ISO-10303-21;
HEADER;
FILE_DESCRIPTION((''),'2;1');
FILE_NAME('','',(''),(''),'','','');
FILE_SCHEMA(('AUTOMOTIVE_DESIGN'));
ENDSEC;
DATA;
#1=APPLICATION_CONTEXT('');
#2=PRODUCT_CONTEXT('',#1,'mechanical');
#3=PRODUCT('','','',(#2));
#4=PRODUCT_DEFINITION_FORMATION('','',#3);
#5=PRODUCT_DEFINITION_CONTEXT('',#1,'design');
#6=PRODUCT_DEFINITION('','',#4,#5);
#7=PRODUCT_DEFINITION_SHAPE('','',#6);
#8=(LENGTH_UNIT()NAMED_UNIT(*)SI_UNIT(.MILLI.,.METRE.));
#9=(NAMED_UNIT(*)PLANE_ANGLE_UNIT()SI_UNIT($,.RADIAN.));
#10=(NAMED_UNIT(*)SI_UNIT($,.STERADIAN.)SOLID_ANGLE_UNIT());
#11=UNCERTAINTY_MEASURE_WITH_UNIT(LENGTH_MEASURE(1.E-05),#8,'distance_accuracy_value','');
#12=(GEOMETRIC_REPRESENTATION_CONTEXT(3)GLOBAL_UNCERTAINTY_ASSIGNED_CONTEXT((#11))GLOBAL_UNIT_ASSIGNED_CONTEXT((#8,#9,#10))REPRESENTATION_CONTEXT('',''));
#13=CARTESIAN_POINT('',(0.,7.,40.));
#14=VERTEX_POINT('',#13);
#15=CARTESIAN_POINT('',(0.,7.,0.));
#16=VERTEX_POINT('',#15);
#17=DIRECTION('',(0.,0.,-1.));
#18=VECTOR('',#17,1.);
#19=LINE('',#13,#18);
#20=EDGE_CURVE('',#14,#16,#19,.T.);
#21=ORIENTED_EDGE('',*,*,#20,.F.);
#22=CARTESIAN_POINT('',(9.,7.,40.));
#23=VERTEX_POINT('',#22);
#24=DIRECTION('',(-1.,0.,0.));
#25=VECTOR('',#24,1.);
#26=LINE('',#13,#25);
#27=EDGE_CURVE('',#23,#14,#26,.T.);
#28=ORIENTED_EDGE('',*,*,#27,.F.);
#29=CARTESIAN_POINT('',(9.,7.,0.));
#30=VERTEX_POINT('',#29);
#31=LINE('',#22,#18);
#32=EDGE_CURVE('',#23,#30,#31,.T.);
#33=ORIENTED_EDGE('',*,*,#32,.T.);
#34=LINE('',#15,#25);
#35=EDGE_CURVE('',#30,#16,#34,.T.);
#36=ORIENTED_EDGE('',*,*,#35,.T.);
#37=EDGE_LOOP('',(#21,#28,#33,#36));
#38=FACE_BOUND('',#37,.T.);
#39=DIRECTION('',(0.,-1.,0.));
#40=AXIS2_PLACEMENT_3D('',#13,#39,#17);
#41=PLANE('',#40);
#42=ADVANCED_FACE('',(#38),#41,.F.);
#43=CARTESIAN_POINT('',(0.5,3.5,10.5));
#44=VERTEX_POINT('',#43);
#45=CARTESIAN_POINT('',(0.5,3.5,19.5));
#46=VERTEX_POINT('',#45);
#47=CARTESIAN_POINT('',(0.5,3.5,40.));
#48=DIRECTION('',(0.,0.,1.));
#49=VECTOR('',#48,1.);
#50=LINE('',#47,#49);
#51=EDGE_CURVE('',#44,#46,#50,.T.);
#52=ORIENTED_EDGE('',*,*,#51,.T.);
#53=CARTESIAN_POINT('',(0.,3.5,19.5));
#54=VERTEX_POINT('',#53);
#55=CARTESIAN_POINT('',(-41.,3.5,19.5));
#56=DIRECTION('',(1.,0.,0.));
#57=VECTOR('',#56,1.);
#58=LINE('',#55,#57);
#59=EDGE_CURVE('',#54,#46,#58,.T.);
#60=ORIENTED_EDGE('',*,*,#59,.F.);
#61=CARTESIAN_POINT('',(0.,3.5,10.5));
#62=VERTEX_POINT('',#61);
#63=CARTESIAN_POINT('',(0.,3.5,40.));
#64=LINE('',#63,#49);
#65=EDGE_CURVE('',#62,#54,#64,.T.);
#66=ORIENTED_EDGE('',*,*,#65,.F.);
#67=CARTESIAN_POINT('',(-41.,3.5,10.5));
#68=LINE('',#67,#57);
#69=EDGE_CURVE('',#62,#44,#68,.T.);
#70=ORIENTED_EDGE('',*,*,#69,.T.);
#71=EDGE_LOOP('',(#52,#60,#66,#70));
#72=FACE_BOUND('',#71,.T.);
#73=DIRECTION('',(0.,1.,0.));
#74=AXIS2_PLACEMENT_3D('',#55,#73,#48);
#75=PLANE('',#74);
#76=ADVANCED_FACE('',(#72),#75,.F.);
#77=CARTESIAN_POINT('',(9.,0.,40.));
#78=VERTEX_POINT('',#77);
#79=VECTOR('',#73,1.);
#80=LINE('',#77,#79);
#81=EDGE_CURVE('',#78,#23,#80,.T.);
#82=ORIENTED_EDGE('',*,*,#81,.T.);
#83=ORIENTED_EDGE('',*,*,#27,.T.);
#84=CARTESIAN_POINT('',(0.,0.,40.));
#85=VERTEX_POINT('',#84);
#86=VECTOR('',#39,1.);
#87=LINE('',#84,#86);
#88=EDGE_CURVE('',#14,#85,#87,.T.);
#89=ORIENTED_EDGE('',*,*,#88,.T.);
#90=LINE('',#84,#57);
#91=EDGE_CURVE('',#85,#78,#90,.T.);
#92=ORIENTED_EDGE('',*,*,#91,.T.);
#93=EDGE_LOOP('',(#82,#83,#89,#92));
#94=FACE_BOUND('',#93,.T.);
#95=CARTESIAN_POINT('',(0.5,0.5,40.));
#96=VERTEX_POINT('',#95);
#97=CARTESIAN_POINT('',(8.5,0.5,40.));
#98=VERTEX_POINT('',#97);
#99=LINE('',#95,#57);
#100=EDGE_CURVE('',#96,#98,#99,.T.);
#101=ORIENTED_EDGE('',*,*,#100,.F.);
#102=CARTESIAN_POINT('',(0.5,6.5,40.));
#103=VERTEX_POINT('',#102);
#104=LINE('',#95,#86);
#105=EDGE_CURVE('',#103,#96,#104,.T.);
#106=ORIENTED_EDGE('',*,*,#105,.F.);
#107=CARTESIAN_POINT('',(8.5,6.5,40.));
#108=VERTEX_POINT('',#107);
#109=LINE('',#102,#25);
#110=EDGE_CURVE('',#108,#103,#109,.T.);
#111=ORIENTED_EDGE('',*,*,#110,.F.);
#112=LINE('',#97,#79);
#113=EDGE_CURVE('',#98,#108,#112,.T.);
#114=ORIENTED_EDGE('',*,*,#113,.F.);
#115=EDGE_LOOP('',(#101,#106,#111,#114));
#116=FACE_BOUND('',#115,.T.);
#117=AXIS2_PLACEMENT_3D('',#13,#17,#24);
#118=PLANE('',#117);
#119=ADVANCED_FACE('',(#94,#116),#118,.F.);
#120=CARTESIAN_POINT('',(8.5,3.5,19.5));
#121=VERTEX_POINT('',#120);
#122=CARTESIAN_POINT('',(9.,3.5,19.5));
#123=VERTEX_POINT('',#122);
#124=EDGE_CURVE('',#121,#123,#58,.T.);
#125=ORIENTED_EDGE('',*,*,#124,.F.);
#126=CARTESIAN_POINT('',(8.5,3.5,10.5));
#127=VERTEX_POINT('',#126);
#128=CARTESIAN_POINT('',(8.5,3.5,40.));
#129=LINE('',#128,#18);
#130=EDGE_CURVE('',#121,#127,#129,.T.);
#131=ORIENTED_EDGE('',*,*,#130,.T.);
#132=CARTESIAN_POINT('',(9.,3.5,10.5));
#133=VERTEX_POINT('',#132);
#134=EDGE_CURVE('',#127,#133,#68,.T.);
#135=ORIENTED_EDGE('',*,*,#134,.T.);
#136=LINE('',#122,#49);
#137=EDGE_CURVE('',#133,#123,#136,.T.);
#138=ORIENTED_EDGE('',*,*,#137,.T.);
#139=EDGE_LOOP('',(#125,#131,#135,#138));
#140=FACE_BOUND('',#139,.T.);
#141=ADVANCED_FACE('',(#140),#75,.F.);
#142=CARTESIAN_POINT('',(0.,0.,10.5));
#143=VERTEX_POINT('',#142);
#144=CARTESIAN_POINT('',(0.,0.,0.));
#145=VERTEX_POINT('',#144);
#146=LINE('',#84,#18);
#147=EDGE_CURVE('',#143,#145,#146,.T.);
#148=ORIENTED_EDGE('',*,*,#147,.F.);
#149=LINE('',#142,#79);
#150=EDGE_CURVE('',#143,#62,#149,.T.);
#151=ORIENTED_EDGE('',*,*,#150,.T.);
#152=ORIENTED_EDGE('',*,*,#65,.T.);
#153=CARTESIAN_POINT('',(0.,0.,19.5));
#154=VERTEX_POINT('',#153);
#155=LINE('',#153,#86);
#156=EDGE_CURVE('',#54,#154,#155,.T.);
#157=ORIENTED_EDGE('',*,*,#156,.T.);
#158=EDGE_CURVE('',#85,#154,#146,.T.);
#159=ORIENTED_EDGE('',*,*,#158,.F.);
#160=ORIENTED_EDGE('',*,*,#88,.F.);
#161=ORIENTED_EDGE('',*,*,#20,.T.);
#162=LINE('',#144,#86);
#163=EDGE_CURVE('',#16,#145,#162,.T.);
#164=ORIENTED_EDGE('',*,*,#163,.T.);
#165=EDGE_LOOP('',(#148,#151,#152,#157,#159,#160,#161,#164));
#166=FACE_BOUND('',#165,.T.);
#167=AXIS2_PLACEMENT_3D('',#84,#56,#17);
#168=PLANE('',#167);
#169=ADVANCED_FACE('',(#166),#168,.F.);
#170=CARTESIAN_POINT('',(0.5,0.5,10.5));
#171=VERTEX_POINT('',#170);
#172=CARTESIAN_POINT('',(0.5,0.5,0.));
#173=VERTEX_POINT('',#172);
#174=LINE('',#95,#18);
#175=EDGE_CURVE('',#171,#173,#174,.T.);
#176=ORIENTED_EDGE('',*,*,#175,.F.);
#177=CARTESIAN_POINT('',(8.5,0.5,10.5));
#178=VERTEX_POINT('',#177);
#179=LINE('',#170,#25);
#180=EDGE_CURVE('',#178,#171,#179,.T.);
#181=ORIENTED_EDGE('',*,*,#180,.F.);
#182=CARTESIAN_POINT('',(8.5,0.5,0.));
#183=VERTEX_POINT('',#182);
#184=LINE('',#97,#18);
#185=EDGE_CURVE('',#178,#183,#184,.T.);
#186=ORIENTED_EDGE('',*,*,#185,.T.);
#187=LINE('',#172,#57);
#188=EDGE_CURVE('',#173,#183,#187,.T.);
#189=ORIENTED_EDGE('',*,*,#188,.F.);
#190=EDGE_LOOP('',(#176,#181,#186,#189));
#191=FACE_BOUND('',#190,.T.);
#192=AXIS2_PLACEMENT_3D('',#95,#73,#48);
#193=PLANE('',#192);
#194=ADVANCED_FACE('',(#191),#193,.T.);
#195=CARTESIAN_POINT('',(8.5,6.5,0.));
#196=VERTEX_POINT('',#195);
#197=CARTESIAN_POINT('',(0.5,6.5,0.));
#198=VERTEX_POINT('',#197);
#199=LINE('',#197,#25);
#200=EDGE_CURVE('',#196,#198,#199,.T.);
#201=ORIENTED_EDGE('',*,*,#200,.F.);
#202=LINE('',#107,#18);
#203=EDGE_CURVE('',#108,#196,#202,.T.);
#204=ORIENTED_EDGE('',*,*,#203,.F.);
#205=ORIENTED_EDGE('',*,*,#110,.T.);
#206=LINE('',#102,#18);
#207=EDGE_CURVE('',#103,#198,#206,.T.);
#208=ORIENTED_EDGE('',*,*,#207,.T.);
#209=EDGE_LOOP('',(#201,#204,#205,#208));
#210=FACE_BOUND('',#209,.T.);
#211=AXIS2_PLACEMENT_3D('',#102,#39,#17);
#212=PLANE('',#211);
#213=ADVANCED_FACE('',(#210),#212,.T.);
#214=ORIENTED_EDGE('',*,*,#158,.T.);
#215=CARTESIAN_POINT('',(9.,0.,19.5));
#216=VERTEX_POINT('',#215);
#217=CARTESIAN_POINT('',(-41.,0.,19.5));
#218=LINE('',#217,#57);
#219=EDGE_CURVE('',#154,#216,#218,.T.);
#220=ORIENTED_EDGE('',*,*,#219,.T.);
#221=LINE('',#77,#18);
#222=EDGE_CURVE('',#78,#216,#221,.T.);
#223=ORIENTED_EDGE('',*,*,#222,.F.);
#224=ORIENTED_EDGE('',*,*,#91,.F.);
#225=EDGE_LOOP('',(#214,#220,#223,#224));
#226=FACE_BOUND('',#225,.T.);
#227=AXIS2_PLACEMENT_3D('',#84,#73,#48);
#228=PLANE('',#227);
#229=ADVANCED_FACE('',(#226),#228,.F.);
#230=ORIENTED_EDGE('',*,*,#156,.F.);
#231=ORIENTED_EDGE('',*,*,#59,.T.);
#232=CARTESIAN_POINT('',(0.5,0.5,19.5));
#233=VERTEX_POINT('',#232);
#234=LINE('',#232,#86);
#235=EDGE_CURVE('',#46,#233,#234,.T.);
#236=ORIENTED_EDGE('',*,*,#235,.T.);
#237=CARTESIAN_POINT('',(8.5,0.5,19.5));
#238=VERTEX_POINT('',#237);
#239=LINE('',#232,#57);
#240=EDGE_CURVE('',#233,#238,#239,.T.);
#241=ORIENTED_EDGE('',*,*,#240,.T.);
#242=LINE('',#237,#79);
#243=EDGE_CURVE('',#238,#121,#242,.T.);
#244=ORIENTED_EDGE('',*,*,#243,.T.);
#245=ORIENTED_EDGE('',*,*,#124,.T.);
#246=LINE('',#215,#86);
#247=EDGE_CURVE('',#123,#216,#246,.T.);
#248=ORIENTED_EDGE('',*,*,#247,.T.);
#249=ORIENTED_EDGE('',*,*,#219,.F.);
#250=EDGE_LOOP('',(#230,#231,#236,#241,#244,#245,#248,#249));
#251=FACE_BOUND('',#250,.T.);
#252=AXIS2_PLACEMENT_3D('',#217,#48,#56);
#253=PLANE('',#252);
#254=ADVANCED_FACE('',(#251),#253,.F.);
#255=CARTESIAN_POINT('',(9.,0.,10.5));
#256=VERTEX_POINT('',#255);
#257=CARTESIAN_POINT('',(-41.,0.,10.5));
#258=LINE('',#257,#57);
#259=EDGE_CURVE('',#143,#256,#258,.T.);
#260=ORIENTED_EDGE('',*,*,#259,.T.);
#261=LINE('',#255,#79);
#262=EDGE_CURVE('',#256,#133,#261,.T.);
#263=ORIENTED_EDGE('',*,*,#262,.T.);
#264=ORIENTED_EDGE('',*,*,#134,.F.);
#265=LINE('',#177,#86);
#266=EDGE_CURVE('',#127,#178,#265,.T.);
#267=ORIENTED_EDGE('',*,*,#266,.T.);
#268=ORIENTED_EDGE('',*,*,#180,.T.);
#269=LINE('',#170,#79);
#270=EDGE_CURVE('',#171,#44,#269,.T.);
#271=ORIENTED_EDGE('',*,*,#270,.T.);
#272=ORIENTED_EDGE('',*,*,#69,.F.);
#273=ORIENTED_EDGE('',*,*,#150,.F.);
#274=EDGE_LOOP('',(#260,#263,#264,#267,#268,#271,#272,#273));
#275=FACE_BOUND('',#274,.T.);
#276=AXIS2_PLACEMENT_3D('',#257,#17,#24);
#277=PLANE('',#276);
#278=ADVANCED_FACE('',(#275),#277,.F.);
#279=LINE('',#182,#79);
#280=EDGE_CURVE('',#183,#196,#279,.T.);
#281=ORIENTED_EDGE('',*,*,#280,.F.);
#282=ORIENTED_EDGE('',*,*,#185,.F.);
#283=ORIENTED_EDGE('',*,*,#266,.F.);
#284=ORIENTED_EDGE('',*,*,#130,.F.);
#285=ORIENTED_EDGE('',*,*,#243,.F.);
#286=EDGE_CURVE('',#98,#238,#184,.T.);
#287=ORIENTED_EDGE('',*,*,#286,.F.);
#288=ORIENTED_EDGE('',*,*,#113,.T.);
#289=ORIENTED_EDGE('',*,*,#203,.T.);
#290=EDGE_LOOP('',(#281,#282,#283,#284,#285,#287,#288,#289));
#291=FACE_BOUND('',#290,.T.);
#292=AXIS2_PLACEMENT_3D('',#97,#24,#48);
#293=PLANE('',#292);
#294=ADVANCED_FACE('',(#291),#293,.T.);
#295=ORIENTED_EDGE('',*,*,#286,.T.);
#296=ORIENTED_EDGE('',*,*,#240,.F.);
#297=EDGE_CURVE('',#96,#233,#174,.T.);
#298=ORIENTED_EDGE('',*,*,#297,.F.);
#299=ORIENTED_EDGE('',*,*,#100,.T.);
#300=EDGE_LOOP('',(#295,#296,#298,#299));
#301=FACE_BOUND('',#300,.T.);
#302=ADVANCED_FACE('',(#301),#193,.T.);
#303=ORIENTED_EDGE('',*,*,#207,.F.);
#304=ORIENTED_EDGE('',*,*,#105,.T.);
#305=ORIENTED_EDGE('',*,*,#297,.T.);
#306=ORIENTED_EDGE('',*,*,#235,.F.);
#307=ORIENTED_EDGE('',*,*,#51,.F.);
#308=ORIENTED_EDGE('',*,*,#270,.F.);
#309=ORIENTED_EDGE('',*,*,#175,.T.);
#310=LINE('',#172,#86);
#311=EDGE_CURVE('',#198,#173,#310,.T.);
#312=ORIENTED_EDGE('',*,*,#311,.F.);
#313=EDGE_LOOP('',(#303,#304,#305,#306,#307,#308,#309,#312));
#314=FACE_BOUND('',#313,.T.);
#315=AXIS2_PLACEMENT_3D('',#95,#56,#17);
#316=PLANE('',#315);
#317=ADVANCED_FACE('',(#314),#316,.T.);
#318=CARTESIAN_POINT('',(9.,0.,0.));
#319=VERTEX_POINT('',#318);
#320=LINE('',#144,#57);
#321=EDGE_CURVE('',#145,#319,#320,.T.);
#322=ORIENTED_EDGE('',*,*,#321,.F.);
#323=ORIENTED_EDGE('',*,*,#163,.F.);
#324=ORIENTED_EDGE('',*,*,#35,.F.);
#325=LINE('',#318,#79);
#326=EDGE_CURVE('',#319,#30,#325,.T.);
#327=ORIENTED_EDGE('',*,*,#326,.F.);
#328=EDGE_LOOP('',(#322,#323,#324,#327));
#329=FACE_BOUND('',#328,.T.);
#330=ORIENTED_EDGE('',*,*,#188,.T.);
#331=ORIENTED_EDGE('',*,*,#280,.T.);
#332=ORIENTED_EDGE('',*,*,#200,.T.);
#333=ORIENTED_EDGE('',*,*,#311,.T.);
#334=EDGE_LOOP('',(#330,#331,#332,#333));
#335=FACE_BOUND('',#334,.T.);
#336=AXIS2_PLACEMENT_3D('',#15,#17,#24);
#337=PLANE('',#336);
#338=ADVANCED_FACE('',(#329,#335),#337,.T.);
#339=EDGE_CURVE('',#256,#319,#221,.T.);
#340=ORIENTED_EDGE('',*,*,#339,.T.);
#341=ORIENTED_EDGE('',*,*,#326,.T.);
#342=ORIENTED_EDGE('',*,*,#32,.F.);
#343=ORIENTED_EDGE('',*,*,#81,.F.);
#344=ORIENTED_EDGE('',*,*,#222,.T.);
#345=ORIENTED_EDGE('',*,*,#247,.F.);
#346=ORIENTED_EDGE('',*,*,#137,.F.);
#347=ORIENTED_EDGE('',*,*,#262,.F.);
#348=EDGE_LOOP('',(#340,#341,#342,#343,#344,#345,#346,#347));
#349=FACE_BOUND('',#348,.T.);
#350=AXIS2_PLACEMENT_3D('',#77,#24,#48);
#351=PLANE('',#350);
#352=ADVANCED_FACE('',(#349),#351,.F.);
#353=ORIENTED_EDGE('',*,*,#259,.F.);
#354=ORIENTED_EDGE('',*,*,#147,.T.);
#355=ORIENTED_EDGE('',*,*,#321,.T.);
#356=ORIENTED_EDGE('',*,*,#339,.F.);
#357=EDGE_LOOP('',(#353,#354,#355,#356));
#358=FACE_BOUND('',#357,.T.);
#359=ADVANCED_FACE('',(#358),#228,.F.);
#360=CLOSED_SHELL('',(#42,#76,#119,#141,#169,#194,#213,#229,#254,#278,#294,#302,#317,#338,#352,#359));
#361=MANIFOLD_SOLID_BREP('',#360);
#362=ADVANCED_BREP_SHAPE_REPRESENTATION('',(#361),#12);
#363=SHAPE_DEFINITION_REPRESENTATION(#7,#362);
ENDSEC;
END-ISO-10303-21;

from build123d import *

# Parameters (mm, degrees)
ESQUISSE1_W             = 9
ESQUISSE1_H             = 7
ESQUISSE1_W_2           = 8
ESQUISSE1_H_2           = 6
BOSS_EXTRU_1_DEPTH      = 40
ESQUISSE4_W             = 9
ESQUISSE4_H             = 3.5
ENL_V_MAT_EXTRU_1_DEPTH = 50


with BuildPart() as part:
    # Esquisse1 → Boss.-Extru.1 (new body)
    with BuildSketch(Plane.XY):
        with Locations((4.5, 3.5)):
            Rectangle(ESQUISSE1_W, ESQUISSE1_H)
        with Locations((4.5, 3.5)):
            Rectangle(ESQUISSE1_W_2, ESQUISSE1_H_2, mode=Mode.SUBTRACT)
    extrude(amount=BOSS_EXTRU_1_DEPTH)

    # Esquisse4 → Enlèv. mat.-Extru.1 (cut)
    with BuildSketch(Plane(origin=(9, 0, 0), x_dir=(0, 0, -1), z_dir=(1, 0, 0))):
        with Locations((-15, 1.75)):
            Rectangle(ESQUISSE4_W, ESQUISSE4_H)
    extrude(amount=-ENL_V_MAT_EXTRU_1_DEPTH, mode=Mode.SUBTRACT)


solid = part.part
